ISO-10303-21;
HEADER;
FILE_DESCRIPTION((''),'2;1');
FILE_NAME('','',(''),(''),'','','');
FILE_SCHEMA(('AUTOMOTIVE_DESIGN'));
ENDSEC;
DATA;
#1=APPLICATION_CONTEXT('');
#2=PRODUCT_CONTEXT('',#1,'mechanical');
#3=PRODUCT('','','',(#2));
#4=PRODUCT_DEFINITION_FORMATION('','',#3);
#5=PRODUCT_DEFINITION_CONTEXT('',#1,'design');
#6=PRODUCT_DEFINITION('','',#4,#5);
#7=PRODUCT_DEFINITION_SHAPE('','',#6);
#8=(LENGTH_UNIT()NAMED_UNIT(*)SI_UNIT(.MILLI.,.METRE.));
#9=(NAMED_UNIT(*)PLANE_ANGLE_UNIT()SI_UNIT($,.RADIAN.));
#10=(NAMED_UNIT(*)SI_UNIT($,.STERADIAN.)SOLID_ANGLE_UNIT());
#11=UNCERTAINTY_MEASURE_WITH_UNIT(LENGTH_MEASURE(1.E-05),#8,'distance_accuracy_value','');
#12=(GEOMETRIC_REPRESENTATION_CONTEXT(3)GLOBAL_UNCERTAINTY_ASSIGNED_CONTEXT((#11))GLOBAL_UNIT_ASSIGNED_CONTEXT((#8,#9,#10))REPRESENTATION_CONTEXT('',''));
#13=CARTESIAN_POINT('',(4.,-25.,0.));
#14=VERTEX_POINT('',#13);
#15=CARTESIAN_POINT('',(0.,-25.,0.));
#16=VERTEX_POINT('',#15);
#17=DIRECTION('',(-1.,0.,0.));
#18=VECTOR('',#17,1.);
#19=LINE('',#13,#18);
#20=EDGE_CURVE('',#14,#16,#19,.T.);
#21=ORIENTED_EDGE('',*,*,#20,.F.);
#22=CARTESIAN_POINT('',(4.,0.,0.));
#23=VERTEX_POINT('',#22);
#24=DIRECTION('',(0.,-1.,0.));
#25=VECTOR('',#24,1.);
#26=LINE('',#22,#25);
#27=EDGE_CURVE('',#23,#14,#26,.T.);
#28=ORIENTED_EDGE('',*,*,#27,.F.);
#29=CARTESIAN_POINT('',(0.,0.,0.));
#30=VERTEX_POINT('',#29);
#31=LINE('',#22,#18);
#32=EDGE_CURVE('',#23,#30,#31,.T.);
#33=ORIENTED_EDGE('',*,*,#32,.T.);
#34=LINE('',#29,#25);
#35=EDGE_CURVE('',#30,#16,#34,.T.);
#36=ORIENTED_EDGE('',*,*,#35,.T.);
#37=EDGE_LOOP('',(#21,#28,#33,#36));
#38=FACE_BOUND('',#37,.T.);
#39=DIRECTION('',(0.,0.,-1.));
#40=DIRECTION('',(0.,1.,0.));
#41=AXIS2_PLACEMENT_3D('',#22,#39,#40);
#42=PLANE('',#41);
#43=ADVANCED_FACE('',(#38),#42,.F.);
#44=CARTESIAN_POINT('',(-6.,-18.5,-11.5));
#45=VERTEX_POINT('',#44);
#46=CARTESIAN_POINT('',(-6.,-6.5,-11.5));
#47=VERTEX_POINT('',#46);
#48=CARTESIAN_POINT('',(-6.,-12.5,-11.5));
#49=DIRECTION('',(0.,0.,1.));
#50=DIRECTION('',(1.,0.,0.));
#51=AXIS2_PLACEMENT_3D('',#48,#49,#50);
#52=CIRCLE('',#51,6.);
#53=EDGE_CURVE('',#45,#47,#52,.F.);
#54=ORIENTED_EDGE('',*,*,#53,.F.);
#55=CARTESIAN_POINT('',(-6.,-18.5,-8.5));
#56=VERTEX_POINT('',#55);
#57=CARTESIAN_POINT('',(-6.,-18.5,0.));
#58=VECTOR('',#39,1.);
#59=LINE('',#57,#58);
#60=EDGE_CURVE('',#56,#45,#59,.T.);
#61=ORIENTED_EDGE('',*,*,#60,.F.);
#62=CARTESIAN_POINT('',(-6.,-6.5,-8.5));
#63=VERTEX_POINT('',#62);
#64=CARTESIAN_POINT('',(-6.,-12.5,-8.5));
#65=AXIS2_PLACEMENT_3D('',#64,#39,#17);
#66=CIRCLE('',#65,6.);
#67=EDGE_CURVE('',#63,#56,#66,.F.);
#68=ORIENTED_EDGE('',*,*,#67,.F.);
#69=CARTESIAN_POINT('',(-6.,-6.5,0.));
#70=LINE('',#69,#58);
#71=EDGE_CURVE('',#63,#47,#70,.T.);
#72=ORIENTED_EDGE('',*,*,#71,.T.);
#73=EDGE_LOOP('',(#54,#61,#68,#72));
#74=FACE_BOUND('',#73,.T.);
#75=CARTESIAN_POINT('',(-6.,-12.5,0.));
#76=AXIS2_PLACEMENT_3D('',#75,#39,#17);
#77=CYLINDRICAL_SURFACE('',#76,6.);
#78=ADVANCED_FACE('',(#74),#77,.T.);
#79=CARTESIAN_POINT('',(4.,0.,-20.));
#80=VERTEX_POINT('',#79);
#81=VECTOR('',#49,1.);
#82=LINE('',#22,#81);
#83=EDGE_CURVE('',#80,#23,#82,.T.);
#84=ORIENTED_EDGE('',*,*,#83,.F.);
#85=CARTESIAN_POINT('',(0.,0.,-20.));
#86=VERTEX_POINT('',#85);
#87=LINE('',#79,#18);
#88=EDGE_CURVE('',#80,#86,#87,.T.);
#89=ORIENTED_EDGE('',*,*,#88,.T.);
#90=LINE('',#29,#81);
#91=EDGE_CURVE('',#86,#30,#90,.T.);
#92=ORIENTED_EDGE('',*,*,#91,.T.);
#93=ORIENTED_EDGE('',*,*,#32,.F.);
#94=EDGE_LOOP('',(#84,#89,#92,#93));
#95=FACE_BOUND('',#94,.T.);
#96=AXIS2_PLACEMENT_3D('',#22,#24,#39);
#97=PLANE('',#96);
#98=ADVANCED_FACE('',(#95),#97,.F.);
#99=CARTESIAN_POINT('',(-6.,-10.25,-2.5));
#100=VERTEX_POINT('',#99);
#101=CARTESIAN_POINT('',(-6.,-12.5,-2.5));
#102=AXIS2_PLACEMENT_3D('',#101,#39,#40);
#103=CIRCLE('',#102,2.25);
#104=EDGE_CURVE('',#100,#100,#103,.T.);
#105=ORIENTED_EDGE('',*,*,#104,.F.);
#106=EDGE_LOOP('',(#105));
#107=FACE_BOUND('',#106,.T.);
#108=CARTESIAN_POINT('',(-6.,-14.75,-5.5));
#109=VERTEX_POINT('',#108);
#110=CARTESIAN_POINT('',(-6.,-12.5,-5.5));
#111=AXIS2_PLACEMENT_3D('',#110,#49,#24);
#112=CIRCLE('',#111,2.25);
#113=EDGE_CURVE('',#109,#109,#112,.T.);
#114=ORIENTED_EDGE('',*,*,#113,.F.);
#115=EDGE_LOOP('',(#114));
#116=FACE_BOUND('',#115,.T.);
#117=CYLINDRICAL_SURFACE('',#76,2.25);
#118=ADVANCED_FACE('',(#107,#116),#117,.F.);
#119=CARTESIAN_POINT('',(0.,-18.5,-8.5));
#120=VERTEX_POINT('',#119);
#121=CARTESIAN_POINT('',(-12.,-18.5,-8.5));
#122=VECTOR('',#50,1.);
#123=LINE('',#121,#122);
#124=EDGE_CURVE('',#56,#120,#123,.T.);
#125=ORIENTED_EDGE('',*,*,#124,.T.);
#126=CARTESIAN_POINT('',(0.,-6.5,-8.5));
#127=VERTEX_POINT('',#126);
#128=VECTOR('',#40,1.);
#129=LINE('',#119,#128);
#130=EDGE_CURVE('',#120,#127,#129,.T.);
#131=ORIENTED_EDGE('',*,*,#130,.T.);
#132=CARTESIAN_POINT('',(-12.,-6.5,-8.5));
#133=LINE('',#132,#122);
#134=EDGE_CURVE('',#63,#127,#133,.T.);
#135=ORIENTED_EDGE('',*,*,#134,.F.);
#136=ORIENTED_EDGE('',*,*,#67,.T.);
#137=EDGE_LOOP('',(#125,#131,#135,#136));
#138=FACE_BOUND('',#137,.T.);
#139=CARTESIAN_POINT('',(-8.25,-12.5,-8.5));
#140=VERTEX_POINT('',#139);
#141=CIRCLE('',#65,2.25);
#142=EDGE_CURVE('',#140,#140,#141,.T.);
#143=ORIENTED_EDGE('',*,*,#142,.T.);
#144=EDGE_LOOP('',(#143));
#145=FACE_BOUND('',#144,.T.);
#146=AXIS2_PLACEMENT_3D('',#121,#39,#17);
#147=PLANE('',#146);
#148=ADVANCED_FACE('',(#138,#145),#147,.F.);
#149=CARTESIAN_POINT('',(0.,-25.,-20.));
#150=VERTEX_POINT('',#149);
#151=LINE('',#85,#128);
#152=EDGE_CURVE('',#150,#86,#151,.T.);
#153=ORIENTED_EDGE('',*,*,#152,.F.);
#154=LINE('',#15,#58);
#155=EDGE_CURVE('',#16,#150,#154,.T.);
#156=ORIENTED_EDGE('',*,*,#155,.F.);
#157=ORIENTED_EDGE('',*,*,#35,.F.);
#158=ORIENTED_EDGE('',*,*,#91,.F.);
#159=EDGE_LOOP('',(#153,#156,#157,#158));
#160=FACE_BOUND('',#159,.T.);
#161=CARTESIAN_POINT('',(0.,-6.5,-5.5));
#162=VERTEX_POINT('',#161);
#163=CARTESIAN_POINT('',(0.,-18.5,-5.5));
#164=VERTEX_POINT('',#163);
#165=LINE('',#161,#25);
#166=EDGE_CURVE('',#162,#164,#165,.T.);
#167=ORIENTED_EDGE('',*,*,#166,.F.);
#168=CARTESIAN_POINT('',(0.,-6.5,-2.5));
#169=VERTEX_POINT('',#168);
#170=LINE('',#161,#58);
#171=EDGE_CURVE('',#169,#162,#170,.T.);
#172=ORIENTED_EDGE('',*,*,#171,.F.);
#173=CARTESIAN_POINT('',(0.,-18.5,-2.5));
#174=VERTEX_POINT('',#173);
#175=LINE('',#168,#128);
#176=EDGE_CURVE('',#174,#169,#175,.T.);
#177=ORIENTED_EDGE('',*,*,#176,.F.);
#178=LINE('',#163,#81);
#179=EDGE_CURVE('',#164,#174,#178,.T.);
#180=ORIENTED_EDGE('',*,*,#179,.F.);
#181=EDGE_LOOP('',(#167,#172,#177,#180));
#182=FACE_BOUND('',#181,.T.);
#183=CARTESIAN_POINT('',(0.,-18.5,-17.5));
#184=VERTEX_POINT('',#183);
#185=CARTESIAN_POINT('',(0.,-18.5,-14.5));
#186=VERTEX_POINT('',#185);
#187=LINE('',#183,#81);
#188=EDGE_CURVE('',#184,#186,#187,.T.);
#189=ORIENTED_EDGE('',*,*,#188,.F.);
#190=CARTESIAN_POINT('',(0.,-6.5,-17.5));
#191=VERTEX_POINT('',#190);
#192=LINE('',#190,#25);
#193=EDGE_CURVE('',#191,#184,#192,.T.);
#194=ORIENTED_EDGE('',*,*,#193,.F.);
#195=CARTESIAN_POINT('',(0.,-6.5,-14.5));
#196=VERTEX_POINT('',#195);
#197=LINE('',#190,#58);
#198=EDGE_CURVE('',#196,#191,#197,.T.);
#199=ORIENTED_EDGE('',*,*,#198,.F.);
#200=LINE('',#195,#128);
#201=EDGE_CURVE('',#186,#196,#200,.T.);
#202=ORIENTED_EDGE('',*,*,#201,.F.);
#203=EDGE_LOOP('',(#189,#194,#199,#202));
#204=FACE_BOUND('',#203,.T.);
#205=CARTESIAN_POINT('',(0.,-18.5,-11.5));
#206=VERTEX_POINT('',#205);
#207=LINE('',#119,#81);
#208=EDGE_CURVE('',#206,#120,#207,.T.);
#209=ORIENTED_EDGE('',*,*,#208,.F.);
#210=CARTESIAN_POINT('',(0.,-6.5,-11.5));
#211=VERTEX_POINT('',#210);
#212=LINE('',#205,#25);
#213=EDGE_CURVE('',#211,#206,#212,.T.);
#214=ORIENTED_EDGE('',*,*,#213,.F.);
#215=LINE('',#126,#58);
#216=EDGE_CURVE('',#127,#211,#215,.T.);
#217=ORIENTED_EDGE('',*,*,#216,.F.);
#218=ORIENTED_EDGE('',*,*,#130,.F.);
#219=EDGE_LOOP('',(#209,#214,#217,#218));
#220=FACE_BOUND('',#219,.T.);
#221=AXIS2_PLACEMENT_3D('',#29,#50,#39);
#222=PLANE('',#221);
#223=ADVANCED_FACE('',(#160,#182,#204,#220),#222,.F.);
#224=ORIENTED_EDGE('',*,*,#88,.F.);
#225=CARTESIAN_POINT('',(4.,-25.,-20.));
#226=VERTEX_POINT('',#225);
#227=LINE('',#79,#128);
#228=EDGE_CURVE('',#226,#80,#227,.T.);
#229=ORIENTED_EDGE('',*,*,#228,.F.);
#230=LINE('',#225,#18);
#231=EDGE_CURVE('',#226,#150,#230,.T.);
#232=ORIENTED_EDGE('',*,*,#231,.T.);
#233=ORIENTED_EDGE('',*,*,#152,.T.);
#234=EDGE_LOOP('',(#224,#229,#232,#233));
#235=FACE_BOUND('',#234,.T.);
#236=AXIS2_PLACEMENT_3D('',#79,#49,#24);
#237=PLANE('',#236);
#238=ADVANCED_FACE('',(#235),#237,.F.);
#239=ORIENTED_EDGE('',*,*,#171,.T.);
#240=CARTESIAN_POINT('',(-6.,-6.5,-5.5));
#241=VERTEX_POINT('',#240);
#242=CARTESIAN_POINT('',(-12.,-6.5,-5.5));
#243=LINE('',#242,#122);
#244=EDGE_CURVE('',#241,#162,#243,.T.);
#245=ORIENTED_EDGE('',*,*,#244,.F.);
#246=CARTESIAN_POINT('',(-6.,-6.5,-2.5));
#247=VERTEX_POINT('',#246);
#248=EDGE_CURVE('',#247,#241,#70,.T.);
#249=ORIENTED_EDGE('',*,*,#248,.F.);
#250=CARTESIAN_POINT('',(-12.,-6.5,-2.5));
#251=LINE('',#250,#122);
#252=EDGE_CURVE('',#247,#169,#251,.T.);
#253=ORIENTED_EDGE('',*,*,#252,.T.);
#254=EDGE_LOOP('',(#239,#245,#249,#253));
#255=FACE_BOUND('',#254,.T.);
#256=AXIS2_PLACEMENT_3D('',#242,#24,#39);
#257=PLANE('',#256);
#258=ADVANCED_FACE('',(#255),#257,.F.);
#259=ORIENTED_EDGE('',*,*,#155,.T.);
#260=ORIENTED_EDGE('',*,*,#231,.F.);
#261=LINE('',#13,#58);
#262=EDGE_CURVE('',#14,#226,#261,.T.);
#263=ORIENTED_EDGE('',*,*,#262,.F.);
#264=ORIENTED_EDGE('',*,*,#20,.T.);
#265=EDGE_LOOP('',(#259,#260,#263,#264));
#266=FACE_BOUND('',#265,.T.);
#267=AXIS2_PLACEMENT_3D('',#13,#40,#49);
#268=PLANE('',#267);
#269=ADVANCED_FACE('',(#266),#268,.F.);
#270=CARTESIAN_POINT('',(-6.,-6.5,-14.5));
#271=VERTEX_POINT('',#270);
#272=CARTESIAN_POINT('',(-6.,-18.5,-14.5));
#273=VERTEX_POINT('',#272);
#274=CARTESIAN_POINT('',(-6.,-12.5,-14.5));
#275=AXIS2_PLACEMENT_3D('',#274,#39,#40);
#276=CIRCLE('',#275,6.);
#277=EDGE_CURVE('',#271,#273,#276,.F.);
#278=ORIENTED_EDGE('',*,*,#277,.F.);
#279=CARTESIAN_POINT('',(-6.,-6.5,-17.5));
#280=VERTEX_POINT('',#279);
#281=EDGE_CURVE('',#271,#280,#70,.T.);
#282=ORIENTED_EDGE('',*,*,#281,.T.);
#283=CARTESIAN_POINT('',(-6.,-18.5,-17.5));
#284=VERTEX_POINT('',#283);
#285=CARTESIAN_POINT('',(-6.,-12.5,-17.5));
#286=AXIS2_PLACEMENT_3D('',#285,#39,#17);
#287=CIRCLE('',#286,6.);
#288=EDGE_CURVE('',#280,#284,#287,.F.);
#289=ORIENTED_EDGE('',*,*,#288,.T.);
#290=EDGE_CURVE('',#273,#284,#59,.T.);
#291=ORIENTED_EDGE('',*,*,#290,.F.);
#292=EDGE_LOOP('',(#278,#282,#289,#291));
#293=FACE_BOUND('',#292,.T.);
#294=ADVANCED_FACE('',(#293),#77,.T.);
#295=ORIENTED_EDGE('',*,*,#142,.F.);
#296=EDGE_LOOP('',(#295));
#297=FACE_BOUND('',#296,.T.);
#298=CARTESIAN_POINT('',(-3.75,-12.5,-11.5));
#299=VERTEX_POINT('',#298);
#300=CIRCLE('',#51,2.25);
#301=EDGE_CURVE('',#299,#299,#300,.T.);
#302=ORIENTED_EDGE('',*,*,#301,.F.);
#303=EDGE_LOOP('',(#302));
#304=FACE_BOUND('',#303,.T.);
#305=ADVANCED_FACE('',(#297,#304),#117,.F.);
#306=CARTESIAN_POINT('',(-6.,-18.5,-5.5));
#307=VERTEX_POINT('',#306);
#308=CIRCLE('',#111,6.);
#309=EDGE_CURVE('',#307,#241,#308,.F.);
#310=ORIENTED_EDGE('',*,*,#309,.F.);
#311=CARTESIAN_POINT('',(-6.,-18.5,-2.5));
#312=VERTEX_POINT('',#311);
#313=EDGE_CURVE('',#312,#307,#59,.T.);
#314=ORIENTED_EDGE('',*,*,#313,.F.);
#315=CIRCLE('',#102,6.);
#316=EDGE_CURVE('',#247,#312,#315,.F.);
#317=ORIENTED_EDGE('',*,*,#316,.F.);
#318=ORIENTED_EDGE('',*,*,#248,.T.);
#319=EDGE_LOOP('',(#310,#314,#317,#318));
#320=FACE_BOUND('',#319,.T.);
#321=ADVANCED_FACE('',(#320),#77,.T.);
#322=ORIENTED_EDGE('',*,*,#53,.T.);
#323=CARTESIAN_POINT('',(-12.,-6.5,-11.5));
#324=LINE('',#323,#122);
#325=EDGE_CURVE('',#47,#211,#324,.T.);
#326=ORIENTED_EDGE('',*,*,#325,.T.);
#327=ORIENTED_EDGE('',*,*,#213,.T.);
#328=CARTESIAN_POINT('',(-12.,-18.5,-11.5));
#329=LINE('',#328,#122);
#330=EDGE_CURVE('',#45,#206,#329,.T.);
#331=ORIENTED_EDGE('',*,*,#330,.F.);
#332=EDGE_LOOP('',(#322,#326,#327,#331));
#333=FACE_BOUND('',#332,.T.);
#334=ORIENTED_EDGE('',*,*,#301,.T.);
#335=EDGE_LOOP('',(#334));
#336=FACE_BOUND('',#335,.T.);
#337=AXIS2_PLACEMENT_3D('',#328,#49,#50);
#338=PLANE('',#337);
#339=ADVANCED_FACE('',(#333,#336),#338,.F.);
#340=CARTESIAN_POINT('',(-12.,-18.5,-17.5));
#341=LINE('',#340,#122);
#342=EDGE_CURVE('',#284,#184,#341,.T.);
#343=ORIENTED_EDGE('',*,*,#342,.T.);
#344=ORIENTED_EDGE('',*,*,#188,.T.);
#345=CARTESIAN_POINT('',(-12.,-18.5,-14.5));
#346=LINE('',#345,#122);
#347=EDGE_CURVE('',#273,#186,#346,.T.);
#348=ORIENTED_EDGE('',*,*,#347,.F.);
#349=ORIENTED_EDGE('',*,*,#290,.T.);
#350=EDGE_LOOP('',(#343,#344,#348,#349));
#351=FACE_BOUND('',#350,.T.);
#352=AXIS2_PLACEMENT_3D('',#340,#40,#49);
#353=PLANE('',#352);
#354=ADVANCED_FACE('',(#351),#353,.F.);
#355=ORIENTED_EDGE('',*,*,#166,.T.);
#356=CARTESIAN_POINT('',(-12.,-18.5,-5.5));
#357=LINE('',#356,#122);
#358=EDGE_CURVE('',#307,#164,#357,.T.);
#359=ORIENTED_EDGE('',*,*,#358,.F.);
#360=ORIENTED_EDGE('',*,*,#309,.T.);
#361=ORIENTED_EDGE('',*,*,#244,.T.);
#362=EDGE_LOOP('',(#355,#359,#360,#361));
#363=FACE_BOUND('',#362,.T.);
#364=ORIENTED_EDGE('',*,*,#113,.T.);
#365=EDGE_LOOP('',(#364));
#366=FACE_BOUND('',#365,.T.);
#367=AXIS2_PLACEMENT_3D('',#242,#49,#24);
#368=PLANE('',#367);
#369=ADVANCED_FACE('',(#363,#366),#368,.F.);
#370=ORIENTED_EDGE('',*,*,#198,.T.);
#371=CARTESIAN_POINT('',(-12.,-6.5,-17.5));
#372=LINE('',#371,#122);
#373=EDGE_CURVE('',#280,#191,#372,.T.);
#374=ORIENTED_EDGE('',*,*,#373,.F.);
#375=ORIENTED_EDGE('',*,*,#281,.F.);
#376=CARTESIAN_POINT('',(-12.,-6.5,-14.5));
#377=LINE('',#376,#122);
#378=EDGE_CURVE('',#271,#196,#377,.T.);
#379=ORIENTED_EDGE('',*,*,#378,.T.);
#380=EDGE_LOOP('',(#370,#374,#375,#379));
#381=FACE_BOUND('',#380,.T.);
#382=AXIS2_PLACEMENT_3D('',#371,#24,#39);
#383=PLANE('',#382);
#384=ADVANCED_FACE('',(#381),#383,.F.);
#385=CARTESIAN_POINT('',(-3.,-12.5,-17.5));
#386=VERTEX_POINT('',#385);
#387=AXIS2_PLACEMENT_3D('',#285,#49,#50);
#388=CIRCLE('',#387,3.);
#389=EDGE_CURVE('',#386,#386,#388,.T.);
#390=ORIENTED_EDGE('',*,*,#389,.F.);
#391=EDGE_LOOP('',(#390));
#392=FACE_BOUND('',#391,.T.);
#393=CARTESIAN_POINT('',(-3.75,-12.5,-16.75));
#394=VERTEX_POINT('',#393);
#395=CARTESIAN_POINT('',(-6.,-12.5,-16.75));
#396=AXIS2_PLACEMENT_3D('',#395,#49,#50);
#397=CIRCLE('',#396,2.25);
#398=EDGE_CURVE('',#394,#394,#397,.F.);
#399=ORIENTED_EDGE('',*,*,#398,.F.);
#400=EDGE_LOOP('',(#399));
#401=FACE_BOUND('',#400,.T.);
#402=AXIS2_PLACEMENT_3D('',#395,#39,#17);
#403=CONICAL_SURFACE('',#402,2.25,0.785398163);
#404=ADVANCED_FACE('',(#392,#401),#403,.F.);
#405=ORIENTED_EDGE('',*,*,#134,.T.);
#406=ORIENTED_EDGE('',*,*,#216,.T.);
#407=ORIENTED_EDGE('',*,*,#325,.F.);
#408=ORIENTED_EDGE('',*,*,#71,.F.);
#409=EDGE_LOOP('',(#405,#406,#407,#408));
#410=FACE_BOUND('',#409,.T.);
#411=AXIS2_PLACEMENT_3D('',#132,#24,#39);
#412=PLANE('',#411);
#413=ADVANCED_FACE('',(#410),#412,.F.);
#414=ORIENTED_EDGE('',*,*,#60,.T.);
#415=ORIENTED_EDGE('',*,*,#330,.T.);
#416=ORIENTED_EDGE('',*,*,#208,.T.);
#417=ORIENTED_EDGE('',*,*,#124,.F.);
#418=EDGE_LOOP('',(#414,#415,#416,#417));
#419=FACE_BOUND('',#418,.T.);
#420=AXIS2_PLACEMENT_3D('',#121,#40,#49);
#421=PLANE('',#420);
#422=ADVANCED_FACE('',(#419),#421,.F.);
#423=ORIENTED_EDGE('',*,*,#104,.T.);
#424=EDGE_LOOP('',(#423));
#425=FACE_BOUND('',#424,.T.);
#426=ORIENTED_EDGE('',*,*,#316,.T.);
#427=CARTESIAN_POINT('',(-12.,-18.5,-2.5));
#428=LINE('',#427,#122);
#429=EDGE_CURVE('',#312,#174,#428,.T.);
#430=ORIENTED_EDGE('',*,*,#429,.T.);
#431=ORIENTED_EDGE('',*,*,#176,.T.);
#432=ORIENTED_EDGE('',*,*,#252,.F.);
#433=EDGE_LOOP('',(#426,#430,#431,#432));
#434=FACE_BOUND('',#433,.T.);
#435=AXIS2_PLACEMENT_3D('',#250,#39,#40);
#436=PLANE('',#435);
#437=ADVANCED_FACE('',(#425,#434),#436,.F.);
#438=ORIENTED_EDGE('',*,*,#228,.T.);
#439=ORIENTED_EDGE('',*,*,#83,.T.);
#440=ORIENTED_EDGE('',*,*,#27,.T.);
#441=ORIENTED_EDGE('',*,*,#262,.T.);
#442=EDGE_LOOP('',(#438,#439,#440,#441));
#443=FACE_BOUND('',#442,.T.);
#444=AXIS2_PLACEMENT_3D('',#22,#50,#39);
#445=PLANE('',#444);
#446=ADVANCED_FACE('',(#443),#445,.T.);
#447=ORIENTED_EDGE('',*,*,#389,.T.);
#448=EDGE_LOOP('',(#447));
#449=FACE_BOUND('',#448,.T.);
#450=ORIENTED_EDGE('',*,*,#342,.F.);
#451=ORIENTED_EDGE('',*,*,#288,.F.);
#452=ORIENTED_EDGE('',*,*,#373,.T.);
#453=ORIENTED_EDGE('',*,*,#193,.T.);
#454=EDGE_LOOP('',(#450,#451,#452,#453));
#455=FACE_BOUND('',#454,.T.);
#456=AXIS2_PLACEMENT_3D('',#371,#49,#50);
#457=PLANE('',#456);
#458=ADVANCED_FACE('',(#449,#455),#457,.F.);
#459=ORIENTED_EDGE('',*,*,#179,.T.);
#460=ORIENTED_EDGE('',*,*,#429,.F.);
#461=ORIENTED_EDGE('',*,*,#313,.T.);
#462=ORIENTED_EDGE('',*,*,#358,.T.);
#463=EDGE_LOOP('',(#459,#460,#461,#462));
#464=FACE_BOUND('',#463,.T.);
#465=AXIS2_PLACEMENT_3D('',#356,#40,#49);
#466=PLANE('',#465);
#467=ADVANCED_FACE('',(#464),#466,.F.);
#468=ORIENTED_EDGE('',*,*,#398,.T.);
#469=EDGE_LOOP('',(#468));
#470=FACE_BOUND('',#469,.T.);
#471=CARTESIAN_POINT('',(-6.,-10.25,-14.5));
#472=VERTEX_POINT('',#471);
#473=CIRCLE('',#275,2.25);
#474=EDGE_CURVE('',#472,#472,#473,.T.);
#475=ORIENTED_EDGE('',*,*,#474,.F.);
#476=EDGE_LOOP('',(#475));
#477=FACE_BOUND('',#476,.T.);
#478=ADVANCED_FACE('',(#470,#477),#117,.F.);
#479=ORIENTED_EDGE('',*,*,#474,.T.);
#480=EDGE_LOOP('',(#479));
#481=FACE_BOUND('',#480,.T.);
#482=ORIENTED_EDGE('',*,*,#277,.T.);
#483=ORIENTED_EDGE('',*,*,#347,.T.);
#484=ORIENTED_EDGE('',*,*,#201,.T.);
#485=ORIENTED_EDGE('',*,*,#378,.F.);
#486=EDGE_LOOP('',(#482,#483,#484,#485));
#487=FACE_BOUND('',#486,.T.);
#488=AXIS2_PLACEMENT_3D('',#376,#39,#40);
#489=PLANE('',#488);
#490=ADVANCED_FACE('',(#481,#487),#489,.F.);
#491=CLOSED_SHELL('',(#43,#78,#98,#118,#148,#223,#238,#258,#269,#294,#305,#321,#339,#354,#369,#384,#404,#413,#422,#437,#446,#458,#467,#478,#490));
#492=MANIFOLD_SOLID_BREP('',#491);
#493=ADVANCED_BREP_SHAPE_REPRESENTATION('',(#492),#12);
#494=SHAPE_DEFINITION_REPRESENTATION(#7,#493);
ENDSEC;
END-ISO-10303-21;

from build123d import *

# Parameters (mm, degrees)
SKETCH1_W           = 20
SKETCH1_H           = 25
BOSS_EXTRUDE1_DEPTH = 4
SKETCH2_W           = 3
SKETCH2_H           = 12
BOSS_EXTRUDE2_DEPTH = 12
SKETCH3_R           = 2.25
CUT_EXTRUDE1_DEPTH  = 18.5
CHAMFER1_SIZE       = 0.75


with BuildPart() as part:
    # Sketch1 → Boss-Extrude1 (new body)
    with BuildSketch(Plane(origin=(0, 0, 0), x_dir=(0, 0, -1), z_dir=(1, 0, 0))):
        with Locations((10, -12.5)):
            Rectangle(SKETCH1_W, SKETCH1_H)
    extrude(amount=BOSS_EXTRUDE1_DEPTH)

    # Sketch2 → Boss-Extrude2 (add)
    with BuildSketch(Plane.ZY):
        with Locations((-10, -12.5)):
            Rectangle(SKETCH2_W, SKETCH2_H)
        with Locations((-4, -12.5)):
            Rectangle(SKETCH2_W, SKETCH2_H)
        with Locations((-16, -12.5)):
            Rectangle(SKETCH2_W, SKETCH2_H)
    extrude(amount=BOSS_EXTRUDE2_DEPTH)

    # Sketch3 → Cut-Extrude1 (cut, through all)
    with BuildSketch(Plane(origin=(0, 0, -17.5), x_dir=(-1, 0, 0), z_dir=(0, 0, -1))):
        with Locations((6, -12.5)):
            Circle(SKETCH3_R)
        with BuildLine():
            Line((12, -6.5), (6, -6.5))
            ThreePointArc((6, -6.5), (10.242640687, -8.257359313), (12, -12.5))
            Line((12, -12.5), (12, -6.5))
        make_face()
        with BuildLine():
            Line((12, -18.5), (12, -12.5))
            ThreePointArc((12, -12.5), (10.242640687, -16.742640687), (6, -18.5))
            Line((6, -18.5), (12, -18.5))
        make_face()
    extrude(amount=-CUT_EXTRUDE1_DEPTH, mode=Mode.SUBTRACT)

    # Chamfer1
    chamfer1_edges = [part.edges().sort_by_distance(p)[0] for p in [
        (-3.75, -12.5, -17.5),
    ]]
    chamfer(chamfer1_edges, length=CHAMFER1_SIZE)


solid = part.part
